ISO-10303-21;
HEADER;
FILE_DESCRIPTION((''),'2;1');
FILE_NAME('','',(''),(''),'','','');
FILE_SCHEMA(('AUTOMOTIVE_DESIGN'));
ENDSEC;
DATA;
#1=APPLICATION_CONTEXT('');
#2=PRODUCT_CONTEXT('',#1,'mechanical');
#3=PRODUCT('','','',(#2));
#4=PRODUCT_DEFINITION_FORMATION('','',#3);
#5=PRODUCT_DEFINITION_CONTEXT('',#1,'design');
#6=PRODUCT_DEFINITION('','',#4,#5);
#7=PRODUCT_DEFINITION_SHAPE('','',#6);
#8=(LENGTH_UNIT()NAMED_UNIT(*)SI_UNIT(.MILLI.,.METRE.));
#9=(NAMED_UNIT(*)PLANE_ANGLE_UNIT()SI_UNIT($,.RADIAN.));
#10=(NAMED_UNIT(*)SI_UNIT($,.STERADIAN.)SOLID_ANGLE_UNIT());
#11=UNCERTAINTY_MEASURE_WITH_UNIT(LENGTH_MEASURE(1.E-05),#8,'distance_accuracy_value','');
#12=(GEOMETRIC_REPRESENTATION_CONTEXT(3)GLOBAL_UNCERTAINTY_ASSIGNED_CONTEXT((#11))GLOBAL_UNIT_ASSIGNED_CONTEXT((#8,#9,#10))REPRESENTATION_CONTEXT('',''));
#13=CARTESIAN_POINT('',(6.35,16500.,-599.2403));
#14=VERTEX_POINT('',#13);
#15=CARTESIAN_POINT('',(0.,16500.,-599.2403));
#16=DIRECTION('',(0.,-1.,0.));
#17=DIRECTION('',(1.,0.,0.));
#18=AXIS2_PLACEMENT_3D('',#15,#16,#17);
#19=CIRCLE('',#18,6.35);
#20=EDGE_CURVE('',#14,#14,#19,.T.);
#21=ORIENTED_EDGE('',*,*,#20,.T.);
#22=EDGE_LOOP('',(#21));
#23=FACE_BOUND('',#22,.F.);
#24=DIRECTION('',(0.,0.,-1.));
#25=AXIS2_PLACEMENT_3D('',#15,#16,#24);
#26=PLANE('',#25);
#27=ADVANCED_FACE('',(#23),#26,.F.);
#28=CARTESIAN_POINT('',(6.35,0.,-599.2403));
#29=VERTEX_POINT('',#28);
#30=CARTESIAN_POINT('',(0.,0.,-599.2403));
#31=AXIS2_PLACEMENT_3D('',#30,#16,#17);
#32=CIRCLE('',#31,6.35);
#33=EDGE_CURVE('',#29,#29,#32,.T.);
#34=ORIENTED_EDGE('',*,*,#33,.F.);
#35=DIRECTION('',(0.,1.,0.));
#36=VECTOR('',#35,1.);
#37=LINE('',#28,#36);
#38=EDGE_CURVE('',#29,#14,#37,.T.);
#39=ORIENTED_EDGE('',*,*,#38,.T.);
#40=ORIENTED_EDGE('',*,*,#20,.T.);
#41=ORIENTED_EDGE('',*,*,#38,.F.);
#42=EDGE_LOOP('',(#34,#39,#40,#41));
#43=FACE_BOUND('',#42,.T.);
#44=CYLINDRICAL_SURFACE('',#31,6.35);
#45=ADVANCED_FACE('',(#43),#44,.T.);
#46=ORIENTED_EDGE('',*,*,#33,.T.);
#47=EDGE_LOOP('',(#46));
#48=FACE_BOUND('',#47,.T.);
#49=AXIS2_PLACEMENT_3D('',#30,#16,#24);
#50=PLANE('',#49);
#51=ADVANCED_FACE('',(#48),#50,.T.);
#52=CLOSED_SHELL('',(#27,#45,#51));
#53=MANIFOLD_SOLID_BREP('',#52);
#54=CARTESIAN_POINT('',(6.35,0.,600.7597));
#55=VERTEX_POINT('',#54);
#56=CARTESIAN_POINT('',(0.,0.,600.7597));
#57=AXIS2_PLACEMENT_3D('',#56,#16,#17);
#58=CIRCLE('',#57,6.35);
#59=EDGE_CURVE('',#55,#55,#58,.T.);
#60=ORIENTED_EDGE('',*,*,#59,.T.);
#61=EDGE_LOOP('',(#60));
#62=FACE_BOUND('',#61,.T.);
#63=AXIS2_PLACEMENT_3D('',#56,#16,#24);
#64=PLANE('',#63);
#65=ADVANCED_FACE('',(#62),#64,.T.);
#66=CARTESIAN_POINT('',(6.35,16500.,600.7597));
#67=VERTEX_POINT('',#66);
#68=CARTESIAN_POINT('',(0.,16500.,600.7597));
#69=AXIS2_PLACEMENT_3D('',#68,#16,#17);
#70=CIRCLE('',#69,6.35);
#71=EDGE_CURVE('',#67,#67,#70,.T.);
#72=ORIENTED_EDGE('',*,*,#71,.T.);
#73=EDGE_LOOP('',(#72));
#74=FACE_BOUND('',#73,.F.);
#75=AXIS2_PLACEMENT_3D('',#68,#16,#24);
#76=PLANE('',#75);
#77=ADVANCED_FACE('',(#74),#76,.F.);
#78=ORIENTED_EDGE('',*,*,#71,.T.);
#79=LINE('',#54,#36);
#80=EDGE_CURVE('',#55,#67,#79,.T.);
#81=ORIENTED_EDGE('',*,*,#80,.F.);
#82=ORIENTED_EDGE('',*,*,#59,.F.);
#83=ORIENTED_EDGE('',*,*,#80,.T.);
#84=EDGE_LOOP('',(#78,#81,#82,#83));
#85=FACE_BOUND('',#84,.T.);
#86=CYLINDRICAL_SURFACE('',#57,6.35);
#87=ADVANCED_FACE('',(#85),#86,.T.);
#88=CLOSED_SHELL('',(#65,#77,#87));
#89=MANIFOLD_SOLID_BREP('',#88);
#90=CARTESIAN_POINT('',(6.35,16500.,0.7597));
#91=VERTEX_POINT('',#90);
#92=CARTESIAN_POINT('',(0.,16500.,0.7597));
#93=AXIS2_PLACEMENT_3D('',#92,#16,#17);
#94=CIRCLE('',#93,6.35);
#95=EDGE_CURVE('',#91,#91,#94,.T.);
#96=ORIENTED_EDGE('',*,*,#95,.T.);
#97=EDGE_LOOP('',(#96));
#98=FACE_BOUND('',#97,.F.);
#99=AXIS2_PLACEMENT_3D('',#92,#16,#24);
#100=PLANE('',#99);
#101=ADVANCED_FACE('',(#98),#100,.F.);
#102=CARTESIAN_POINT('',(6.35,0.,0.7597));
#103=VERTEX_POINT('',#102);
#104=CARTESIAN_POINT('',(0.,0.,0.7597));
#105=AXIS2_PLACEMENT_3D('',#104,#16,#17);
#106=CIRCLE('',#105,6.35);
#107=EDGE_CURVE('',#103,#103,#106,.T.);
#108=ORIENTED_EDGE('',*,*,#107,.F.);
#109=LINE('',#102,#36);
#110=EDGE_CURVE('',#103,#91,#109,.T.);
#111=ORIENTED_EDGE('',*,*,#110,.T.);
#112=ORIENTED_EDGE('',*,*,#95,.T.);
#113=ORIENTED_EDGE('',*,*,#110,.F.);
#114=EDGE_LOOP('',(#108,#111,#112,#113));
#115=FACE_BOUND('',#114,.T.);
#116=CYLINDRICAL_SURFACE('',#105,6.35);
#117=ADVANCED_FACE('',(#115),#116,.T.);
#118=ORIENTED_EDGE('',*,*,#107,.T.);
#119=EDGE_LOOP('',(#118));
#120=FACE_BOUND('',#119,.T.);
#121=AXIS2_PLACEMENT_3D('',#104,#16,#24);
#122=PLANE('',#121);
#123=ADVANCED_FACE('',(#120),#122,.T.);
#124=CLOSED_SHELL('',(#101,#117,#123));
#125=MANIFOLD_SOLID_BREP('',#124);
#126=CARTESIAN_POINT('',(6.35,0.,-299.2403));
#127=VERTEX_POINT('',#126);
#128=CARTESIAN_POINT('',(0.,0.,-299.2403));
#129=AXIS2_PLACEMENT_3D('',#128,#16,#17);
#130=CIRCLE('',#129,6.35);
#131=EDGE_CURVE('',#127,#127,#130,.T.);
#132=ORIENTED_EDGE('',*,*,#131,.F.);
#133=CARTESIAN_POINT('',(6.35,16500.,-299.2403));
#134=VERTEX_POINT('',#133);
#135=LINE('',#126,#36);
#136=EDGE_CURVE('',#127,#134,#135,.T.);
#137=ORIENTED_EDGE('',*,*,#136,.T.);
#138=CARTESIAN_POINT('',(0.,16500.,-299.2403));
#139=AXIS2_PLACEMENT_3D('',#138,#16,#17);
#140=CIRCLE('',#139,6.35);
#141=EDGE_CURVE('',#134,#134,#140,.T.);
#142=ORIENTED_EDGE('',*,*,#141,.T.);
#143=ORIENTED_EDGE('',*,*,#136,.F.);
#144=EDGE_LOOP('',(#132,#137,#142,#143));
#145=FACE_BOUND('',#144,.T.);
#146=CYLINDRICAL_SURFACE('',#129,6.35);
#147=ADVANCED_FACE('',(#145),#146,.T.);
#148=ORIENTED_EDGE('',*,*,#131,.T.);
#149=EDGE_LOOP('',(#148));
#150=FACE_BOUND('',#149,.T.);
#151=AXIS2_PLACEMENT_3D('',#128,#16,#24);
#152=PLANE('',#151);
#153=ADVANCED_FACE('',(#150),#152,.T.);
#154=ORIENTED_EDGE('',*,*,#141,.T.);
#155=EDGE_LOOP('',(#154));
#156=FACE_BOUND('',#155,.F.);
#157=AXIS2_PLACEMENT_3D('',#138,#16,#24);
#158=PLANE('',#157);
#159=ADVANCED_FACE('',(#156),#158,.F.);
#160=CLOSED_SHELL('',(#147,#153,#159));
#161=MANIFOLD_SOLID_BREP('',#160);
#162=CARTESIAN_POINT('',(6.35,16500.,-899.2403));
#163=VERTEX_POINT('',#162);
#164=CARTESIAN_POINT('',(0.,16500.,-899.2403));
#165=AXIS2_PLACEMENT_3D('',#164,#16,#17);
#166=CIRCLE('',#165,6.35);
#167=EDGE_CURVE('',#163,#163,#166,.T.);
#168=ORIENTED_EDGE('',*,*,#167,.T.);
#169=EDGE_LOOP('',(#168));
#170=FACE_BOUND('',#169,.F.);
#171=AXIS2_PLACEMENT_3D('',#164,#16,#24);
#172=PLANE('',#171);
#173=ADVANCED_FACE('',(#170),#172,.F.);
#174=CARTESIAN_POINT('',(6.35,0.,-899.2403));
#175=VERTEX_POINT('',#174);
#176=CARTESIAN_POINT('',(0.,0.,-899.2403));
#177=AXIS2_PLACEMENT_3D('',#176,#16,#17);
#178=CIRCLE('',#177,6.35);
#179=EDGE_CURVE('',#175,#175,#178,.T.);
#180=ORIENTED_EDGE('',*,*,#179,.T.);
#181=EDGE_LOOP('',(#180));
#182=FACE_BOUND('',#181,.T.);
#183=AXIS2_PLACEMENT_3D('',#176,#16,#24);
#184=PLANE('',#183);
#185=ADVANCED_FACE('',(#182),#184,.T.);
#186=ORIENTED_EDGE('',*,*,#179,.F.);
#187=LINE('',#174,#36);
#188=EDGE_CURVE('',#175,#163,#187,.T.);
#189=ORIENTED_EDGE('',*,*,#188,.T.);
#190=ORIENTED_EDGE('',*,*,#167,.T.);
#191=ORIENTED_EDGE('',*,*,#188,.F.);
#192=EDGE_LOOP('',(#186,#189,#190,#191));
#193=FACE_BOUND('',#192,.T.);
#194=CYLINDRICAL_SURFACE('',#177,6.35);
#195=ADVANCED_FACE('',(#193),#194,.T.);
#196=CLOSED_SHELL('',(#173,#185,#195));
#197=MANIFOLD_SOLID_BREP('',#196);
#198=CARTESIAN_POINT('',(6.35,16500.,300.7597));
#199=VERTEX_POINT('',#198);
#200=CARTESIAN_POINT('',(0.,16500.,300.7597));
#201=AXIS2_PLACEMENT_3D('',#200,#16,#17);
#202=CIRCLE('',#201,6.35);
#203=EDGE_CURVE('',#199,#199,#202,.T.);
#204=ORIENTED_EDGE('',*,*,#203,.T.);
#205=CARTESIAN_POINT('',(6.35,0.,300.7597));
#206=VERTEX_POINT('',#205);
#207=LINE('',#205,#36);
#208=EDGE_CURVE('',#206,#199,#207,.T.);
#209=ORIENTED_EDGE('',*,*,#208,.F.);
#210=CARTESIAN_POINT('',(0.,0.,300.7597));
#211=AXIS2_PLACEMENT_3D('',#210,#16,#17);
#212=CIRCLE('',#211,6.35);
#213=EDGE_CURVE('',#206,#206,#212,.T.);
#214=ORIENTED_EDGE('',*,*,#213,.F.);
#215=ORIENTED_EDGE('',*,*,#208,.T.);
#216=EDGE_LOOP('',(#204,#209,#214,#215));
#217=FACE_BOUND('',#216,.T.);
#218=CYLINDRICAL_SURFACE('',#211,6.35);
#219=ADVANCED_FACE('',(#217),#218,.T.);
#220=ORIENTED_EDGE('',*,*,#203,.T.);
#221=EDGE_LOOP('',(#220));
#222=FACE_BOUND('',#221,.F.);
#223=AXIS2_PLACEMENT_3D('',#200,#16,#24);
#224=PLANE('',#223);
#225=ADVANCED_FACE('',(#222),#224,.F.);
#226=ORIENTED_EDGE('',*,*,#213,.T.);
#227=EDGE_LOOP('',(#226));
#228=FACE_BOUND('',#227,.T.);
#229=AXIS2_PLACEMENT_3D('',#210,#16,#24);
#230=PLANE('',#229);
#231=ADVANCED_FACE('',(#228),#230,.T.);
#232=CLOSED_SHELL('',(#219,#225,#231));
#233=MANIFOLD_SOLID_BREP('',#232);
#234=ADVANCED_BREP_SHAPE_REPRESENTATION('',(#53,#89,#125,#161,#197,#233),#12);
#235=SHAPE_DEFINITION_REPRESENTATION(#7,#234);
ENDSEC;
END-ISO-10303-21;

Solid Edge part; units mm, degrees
sketch "Sketch1" plane through (0, 0, 0) normal (0, -1, 0) x (1, 0, 0)
  circle A0 centre (0, 600.7597) radius 6.35
  circle A1 centre (0, 300.7597) radius 6.35
  circle A2 centre (0, 0.7597) radius 6.35
  circle A3 centre (0, -299.2403) radius 6.35
  circle A4 centre (0, -599.2403) radius 6.35
  circle A5 centre (0, -899.2403) radius 6.35
extrude "Protrusion1" add sketch "Sketch1" against normal blind 16500
